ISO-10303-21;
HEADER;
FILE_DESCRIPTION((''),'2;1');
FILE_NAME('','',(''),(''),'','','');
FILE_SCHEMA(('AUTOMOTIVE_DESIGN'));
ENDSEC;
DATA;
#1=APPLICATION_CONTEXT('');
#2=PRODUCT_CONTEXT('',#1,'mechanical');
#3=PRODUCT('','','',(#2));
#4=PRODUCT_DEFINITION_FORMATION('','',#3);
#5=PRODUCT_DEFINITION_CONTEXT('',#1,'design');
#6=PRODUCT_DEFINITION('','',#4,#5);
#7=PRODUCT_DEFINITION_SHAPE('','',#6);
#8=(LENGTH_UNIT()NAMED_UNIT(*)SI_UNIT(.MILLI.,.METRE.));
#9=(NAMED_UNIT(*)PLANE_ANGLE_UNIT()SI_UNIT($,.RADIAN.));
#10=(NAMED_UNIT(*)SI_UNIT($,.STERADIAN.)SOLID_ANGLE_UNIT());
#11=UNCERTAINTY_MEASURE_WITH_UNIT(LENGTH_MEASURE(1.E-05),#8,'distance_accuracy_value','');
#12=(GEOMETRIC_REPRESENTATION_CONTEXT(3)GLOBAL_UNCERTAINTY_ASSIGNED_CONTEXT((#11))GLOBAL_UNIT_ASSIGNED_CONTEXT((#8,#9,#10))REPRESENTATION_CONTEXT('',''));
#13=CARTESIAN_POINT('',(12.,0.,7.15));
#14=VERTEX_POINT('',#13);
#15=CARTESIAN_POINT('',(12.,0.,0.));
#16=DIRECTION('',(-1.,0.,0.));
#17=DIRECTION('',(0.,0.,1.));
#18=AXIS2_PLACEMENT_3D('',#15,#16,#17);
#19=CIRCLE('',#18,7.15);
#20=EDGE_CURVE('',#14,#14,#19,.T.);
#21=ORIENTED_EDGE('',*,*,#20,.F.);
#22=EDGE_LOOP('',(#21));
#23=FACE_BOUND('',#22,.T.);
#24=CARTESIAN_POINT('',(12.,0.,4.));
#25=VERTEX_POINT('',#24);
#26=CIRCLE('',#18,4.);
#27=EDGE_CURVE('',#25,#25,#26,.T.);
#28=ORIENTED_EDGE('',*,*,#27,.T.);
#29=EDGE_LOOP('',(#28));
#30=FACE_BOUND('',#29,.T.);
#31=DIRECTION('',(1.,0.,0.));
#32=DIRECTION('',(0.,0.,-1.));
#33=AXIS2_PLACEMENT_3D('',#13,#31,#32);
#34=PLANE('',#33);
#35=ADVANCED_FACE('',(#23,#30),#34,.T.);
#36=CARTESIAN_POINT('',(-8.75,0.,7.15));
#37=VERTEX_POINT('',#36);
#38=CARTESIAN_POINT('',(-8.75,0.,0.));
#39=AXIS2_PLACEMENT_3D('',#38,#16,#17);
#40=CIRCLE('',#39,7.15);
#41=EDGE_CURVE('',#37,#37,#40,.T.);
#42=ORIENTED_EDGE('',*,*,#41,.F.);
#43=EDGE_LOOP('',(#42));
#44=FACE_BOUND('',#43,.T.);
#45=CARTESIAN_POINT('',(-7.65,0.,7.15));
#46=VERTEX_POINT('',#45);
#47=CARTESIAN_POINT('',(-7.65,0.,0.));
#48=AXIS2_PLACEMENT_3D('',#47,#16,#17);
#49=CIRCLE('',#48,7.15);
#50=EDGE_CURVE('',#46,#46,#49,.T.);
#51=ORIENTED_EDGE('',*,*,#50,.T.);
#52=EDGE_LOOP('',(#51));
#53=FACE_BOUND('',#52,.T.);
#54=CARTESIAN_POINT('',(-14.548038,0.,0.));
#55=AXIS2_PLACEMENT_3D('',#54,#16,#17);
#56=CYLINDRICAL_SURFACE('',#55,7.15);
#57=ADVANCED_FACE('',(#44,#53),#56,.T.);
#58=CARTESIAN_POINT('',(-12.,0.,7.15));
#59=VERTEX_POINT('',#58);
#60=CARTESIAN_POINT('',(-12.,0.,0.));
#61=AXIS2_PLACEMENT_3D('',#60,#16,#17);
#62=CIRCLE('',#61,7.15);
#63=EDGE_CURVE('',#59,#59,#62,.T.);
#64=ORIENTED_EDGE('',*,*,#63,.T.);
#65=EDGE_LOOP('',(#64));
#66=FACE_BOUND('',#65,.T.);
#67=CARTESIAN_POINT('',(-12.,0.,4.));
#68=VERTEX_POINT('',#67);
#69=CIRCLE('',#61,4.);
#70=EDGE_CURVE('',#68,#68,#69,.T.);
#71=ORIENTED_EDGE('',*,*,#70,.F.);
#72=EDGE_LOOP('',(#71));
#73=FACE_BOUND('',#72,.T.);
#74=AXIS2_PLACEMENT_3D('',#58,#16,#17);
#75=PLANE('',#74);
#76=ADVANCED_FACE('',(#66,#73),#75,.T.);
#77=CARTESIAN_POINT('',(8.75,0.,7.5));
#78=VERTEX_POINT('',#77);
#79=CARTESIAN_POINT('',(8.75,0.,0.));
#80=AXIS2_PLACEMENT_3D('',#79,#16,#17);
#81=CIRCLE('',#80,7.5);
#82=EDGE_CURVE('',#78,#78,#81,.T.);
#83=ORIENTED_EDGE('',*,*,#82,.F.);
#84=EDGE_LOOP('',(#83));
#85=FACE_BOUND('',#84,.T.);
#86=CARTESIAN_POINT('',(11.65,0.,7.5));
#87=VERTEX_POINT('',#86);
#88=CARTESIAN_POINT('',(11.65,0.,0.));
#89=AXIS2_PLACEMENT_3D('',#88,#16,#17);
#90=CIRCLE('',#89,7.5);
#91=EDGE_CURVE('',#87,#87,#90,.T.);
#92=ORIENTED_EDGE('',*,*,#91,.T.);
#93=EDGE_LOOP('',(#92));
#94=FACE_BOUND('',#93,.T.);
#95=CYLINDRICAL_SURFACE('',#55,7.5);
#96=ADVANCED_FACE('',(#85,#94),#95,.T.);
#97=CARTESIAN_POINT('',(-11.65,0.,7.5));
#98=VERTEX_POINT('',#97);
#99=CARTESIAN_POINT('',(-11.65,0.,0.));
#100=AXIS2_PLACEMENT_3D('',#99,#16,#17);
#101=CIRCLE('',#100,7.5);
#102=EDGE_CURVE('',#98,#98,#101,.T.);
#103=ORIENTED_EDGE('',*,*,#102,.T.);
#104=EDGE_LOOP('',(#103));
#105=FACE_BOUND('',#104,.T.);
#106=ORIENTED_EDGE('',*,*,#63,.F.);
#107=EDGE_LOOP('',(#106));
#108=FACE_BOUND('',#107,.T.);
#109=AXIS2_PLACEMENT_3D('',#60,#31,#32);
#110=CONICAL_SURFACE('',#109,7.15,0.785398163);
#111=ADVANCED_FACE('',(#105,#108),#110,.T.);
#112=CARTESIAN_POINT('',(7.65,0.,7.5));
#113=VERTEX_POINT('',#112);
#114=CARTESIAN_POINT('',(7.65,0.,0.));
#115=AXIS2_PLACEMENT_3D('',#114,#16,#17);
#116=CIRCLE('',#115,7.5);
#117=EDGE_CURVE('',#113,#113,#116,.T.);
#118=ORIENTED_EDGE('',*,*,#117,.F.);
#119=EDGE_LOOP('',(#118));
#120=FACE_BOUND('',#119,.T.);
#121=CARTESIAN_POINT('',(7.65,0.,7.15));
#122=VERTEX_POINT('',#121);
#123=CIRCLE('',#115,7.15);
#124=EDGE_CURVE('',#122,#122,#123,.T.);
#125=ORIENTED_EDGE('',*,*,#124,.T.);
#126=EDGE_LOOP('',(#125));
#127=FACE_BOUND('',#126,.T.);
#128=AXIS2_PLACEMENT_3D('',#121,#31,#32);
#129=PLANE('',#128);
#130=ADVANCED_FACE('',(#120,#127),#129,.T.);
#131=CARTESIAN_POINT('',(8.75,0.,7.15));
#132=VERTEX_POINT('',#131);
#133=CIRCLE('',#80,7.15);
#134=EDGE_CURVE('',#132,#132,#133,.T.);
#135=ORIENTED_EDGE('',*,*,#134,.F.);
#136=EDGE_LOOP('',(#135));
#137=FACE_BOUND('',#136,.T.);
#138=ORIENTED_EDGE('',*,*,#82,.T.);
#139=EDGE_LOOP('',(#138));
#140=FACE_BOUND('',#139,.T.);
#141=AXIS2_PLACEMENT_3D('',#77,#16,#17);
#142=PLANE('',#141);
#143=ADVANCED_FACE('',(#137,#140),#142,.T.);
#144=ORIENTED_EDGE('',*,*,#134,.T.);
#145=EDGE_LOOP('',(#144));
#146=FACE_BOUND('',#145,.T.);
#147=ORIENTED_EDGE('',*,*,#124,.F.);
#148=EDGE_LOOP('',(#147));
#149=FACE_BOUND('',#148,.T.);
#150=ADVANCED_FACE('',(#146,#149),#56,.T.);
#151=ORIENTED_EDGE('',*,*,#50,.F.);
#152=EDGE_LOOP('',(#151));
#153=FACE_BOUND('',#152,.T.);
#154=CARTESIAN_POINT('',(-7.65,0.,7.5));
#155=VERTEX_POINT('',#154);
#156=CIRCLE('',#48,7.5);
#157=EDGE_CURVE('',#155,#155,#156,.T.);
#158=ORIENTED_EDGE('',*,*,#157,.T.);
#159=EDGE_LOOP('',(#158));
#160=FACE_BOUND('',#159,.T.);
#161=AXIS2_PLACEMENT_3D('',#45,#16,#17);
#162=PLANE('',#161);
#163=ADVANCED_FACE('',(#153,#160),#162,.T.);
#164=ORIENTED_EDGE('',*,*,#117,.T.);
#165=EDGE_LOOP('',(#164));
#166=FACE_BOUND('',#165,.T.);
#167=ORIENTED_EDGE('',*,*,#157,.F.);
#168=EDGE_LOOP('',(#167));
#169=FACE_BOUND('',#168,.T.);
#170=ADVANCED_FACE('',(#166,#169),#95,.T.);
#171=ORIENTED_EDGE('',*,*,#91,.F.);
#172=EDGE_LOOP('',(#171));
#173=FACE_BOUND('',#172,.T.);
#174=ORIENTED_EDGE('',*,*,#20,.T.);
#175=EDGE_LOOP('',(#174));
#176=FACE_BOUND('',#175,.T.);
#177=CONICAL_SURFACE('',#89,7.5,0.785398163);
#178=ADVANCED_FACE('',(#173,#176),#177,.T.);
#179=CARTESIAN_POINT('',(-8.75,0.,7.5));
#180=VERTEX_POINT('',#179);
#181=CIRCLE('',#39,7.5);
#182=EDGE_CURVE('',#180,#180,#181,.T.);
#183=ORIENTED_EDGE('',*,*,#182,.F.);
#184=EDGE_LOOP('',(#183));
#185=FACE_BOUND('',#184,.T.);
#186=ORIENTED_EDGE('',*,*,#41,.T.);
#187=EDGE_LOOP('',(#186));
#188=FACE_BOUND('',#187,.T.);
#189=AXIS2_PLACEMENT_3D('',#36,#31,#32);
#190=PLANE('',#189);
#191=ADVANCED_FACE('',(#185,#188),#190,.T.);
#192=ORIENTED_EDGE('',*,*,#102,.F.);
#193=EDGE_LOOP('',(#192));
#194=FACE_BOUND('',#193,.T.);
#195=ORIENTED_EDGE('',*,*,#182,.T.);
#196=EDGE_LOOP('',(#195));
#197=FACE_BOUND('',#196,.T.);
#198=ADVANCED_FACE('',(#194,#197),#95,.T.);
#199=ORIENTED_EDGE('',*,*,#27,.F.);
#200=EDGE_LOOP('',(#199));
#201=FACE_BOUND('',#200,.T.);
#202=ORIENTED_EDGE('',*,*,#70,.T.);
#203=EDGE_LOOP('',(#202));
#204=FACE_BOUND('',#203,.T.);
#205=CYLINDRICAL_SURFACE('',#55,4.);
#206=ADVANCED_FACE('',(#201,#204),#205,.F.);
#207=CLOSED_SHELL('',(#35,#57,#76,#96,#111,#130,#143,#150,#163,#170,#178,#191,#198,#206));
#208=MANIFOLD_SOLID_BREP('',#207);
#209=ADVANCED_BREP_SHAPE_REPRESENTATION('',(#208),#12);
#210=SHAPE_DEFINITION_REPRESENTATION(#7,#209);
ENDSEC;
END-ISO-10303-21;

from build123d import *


with BuildPart() as part:
    # Эскиз1 → Повернуть1 (revolve)
    with BuildSketch(Plane(origin=(0, 0, 0), x_dir=(1, 0, 0), z_dir=(0, 1, 0))):
        Polygon((-11.65, -7.5), (-8.75, -7.5), (-8.75, -7.15), (-7.65, -7.15), (-7.65, -7.5), (7.65, -7.5), (7.65, -7.15), (8.75, -7.15), (8.75, -7.5), (11.65, -7.5), (12, -7.15), (12, -4), (-12, -4), (-12, -7.15), align=None)
    revolve(axis=Axis((-14.548038267, 0, 0), (1, 0, 0)))


solid = part.part
